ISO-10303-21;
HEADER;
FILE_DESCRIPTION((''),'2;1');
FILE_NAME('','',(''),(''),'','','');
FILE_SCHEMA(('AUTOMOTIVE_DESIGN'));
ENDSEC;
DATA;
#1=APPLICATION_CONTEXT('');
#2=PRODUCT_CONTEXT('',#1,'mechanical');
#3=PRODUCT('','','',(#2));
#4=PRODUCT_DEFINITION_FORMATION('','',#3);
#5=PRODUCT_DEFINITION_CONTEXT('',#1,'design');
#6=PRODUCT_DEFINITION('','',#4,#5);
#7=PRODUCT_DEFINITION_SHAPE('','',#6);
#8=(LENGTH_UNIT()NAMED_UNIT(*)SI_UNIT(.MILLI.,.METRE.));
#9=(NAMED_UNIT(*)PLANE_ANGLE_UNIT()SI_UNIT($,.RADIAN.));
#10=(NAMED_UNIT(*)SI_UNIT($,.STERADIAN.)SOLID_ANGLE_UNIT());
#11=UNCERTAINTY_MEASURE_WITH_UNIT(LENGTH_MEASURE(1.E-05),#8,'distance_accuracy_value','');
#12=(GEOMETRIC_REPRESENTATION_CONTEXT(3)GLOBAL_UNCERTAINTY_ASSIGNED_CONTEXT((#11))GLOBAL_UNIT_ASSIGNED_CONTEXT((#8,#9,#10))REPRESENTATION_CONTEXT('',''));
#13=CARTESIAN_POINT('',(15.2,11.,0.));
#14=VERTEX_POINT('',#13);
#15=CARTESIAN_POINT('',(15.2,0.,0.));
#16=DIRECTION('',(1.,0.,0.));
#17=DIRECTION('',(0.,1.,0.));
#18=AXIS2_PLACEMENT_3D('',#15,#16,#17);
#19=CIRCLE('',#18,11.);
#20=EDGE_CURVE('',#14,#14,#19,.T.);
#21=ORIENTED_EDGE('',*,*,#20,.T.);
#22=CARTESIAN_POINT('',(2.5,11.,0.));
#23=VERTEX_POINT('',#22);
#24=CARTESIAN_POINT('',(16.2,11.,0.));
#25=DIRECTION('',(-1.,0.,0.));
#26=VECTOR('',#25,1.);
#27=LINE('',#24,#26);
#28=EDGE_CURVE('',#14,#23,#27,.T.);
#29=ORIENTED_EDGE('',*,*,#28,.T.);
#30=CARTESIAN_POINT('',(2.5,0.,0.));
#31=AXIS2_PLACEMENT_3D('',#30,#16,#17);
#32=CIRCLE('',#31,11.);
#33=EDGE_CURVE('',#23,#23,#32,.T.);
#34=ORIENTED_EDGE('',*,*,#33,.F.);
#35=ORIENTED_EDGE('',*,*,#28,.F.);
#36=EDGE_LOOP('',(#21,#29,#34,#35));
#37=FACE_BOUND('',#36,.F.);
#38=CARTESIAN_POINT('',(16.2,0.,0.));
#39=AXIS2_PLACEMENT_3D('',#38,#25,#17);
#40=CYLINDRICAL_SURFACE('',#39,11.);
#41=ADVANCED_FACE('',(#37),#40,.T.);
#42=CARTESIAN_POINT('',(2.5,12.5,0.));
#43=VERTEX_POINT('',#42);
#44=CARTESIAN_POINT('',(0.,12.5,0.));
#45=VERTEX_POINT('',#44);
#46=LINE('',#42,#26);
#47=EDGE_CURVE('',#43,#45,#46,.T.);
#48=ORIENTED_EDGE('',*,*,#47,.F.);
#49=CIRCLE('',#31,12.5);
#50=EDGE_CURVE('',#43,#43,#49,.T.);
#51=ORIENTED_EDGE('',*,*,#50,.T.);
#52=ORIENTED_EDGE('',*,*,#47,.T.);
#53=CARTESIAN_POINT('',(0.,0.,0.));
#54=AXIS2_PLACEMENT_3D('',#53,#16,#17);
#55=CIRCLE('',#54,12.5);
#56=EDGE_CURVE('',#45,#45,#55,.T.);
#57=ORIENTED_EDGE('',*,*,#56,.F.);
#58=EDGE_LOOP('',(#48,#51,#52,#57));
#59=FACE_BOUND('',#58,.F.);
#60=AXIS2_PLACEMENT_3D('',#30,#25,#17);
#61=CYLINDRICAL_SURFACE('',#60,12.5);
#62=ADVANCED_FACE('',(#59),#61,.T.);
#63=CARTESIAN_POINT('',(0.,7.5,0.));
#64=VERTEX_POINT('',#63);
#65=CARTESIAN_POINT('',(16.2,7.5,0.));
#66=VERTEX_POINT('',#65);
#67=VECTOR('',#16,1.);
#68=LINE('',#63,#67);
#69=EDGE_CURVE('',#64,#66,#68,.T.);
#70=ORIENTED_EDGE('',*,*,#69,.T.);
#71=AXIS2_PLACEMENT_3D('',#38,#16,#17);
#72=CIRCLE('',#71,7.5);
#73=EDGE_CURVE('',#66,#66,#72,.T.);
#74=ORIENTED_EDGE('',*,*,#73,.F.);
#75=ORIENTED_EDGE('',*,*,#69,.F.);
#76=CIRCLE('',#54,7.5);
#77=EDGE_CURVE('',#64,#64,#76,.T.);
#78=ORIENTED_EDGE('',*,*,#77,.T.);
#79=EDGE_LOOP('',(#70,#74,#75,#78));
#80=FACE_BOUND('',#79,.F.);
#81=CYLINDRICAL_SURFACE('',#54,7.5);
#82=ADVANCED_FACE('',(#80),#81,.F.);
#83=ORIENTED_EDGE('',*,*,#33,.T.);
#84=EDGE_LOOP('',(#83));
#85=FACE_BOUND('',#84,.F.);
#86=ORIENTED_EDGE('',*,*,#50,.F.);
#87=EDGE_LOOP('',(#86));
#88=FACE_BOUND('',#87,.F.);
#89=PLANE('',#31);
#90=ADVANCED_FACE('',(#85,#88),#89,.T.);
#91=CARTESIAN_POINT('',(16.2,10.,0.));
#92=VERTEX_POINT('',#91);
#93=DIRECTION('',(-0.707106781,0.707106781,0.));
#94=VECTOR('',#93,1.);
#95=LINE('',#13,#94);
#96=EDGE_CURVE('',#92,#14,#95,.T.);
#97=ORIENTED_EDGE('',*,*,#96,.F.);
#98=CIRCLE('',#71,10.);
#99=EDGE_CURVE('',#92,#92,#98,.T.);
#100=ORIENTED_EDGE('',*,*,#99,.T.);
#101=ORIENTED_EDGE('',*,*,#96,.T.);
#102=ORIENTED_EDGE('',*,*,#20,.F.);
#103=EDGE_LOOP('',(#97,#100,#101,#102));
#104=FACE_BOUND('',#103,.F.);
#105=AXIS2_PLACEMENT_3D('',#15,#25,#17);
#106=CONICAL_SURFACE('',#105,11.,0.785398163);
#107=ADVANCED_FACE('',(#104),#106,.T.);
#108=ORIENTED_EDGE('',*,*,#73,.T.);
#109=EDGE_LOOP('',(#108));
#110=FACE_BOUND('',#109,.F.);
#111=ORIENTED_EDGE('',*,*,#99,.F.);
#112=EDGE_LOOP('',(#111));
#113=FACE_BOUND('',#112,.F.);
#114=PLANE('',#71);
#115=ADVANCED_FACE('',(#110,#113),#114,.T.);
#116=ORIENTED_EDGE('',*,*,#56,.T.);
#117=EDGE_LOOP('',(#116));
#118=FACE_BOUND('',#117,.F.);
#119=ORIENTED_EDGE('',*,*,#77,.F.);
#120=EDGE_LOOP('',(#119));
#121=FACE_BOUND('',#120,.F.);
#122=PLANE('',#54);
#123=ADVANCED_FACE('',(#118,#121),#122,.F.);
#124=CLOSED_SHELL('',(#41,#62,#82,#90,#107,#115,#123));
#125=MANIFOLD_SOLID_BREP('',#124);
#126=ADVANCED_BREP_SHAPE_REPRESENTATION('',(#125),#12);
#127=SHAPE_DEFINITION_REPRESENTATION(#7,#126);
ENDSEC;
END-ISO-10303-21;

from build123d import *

# Parameters (mm, degrees)
F2_SIZE = 1


with BuildPart() as f1:
    # F0 (on Top) → F1 (revolve)
    with BuildSketch(Plane.XY):
        Polygon((0, 12.5), (0, 7.5), (16.2, 7.5), (16.2, 11), (2.5, 11), (2.5, 12.5), align=None)
    revolve(axis=Axis((6.446342, 0, 0), (1, 0, 0)))

    # F2
    f2_edges = [f1.edges().sort_by_distance(p)[0] for p in [
        (16.2, -11, 0),
    ]]
    chamfer(f2_edges, length=F2_SIZE)


solid = f1.part
